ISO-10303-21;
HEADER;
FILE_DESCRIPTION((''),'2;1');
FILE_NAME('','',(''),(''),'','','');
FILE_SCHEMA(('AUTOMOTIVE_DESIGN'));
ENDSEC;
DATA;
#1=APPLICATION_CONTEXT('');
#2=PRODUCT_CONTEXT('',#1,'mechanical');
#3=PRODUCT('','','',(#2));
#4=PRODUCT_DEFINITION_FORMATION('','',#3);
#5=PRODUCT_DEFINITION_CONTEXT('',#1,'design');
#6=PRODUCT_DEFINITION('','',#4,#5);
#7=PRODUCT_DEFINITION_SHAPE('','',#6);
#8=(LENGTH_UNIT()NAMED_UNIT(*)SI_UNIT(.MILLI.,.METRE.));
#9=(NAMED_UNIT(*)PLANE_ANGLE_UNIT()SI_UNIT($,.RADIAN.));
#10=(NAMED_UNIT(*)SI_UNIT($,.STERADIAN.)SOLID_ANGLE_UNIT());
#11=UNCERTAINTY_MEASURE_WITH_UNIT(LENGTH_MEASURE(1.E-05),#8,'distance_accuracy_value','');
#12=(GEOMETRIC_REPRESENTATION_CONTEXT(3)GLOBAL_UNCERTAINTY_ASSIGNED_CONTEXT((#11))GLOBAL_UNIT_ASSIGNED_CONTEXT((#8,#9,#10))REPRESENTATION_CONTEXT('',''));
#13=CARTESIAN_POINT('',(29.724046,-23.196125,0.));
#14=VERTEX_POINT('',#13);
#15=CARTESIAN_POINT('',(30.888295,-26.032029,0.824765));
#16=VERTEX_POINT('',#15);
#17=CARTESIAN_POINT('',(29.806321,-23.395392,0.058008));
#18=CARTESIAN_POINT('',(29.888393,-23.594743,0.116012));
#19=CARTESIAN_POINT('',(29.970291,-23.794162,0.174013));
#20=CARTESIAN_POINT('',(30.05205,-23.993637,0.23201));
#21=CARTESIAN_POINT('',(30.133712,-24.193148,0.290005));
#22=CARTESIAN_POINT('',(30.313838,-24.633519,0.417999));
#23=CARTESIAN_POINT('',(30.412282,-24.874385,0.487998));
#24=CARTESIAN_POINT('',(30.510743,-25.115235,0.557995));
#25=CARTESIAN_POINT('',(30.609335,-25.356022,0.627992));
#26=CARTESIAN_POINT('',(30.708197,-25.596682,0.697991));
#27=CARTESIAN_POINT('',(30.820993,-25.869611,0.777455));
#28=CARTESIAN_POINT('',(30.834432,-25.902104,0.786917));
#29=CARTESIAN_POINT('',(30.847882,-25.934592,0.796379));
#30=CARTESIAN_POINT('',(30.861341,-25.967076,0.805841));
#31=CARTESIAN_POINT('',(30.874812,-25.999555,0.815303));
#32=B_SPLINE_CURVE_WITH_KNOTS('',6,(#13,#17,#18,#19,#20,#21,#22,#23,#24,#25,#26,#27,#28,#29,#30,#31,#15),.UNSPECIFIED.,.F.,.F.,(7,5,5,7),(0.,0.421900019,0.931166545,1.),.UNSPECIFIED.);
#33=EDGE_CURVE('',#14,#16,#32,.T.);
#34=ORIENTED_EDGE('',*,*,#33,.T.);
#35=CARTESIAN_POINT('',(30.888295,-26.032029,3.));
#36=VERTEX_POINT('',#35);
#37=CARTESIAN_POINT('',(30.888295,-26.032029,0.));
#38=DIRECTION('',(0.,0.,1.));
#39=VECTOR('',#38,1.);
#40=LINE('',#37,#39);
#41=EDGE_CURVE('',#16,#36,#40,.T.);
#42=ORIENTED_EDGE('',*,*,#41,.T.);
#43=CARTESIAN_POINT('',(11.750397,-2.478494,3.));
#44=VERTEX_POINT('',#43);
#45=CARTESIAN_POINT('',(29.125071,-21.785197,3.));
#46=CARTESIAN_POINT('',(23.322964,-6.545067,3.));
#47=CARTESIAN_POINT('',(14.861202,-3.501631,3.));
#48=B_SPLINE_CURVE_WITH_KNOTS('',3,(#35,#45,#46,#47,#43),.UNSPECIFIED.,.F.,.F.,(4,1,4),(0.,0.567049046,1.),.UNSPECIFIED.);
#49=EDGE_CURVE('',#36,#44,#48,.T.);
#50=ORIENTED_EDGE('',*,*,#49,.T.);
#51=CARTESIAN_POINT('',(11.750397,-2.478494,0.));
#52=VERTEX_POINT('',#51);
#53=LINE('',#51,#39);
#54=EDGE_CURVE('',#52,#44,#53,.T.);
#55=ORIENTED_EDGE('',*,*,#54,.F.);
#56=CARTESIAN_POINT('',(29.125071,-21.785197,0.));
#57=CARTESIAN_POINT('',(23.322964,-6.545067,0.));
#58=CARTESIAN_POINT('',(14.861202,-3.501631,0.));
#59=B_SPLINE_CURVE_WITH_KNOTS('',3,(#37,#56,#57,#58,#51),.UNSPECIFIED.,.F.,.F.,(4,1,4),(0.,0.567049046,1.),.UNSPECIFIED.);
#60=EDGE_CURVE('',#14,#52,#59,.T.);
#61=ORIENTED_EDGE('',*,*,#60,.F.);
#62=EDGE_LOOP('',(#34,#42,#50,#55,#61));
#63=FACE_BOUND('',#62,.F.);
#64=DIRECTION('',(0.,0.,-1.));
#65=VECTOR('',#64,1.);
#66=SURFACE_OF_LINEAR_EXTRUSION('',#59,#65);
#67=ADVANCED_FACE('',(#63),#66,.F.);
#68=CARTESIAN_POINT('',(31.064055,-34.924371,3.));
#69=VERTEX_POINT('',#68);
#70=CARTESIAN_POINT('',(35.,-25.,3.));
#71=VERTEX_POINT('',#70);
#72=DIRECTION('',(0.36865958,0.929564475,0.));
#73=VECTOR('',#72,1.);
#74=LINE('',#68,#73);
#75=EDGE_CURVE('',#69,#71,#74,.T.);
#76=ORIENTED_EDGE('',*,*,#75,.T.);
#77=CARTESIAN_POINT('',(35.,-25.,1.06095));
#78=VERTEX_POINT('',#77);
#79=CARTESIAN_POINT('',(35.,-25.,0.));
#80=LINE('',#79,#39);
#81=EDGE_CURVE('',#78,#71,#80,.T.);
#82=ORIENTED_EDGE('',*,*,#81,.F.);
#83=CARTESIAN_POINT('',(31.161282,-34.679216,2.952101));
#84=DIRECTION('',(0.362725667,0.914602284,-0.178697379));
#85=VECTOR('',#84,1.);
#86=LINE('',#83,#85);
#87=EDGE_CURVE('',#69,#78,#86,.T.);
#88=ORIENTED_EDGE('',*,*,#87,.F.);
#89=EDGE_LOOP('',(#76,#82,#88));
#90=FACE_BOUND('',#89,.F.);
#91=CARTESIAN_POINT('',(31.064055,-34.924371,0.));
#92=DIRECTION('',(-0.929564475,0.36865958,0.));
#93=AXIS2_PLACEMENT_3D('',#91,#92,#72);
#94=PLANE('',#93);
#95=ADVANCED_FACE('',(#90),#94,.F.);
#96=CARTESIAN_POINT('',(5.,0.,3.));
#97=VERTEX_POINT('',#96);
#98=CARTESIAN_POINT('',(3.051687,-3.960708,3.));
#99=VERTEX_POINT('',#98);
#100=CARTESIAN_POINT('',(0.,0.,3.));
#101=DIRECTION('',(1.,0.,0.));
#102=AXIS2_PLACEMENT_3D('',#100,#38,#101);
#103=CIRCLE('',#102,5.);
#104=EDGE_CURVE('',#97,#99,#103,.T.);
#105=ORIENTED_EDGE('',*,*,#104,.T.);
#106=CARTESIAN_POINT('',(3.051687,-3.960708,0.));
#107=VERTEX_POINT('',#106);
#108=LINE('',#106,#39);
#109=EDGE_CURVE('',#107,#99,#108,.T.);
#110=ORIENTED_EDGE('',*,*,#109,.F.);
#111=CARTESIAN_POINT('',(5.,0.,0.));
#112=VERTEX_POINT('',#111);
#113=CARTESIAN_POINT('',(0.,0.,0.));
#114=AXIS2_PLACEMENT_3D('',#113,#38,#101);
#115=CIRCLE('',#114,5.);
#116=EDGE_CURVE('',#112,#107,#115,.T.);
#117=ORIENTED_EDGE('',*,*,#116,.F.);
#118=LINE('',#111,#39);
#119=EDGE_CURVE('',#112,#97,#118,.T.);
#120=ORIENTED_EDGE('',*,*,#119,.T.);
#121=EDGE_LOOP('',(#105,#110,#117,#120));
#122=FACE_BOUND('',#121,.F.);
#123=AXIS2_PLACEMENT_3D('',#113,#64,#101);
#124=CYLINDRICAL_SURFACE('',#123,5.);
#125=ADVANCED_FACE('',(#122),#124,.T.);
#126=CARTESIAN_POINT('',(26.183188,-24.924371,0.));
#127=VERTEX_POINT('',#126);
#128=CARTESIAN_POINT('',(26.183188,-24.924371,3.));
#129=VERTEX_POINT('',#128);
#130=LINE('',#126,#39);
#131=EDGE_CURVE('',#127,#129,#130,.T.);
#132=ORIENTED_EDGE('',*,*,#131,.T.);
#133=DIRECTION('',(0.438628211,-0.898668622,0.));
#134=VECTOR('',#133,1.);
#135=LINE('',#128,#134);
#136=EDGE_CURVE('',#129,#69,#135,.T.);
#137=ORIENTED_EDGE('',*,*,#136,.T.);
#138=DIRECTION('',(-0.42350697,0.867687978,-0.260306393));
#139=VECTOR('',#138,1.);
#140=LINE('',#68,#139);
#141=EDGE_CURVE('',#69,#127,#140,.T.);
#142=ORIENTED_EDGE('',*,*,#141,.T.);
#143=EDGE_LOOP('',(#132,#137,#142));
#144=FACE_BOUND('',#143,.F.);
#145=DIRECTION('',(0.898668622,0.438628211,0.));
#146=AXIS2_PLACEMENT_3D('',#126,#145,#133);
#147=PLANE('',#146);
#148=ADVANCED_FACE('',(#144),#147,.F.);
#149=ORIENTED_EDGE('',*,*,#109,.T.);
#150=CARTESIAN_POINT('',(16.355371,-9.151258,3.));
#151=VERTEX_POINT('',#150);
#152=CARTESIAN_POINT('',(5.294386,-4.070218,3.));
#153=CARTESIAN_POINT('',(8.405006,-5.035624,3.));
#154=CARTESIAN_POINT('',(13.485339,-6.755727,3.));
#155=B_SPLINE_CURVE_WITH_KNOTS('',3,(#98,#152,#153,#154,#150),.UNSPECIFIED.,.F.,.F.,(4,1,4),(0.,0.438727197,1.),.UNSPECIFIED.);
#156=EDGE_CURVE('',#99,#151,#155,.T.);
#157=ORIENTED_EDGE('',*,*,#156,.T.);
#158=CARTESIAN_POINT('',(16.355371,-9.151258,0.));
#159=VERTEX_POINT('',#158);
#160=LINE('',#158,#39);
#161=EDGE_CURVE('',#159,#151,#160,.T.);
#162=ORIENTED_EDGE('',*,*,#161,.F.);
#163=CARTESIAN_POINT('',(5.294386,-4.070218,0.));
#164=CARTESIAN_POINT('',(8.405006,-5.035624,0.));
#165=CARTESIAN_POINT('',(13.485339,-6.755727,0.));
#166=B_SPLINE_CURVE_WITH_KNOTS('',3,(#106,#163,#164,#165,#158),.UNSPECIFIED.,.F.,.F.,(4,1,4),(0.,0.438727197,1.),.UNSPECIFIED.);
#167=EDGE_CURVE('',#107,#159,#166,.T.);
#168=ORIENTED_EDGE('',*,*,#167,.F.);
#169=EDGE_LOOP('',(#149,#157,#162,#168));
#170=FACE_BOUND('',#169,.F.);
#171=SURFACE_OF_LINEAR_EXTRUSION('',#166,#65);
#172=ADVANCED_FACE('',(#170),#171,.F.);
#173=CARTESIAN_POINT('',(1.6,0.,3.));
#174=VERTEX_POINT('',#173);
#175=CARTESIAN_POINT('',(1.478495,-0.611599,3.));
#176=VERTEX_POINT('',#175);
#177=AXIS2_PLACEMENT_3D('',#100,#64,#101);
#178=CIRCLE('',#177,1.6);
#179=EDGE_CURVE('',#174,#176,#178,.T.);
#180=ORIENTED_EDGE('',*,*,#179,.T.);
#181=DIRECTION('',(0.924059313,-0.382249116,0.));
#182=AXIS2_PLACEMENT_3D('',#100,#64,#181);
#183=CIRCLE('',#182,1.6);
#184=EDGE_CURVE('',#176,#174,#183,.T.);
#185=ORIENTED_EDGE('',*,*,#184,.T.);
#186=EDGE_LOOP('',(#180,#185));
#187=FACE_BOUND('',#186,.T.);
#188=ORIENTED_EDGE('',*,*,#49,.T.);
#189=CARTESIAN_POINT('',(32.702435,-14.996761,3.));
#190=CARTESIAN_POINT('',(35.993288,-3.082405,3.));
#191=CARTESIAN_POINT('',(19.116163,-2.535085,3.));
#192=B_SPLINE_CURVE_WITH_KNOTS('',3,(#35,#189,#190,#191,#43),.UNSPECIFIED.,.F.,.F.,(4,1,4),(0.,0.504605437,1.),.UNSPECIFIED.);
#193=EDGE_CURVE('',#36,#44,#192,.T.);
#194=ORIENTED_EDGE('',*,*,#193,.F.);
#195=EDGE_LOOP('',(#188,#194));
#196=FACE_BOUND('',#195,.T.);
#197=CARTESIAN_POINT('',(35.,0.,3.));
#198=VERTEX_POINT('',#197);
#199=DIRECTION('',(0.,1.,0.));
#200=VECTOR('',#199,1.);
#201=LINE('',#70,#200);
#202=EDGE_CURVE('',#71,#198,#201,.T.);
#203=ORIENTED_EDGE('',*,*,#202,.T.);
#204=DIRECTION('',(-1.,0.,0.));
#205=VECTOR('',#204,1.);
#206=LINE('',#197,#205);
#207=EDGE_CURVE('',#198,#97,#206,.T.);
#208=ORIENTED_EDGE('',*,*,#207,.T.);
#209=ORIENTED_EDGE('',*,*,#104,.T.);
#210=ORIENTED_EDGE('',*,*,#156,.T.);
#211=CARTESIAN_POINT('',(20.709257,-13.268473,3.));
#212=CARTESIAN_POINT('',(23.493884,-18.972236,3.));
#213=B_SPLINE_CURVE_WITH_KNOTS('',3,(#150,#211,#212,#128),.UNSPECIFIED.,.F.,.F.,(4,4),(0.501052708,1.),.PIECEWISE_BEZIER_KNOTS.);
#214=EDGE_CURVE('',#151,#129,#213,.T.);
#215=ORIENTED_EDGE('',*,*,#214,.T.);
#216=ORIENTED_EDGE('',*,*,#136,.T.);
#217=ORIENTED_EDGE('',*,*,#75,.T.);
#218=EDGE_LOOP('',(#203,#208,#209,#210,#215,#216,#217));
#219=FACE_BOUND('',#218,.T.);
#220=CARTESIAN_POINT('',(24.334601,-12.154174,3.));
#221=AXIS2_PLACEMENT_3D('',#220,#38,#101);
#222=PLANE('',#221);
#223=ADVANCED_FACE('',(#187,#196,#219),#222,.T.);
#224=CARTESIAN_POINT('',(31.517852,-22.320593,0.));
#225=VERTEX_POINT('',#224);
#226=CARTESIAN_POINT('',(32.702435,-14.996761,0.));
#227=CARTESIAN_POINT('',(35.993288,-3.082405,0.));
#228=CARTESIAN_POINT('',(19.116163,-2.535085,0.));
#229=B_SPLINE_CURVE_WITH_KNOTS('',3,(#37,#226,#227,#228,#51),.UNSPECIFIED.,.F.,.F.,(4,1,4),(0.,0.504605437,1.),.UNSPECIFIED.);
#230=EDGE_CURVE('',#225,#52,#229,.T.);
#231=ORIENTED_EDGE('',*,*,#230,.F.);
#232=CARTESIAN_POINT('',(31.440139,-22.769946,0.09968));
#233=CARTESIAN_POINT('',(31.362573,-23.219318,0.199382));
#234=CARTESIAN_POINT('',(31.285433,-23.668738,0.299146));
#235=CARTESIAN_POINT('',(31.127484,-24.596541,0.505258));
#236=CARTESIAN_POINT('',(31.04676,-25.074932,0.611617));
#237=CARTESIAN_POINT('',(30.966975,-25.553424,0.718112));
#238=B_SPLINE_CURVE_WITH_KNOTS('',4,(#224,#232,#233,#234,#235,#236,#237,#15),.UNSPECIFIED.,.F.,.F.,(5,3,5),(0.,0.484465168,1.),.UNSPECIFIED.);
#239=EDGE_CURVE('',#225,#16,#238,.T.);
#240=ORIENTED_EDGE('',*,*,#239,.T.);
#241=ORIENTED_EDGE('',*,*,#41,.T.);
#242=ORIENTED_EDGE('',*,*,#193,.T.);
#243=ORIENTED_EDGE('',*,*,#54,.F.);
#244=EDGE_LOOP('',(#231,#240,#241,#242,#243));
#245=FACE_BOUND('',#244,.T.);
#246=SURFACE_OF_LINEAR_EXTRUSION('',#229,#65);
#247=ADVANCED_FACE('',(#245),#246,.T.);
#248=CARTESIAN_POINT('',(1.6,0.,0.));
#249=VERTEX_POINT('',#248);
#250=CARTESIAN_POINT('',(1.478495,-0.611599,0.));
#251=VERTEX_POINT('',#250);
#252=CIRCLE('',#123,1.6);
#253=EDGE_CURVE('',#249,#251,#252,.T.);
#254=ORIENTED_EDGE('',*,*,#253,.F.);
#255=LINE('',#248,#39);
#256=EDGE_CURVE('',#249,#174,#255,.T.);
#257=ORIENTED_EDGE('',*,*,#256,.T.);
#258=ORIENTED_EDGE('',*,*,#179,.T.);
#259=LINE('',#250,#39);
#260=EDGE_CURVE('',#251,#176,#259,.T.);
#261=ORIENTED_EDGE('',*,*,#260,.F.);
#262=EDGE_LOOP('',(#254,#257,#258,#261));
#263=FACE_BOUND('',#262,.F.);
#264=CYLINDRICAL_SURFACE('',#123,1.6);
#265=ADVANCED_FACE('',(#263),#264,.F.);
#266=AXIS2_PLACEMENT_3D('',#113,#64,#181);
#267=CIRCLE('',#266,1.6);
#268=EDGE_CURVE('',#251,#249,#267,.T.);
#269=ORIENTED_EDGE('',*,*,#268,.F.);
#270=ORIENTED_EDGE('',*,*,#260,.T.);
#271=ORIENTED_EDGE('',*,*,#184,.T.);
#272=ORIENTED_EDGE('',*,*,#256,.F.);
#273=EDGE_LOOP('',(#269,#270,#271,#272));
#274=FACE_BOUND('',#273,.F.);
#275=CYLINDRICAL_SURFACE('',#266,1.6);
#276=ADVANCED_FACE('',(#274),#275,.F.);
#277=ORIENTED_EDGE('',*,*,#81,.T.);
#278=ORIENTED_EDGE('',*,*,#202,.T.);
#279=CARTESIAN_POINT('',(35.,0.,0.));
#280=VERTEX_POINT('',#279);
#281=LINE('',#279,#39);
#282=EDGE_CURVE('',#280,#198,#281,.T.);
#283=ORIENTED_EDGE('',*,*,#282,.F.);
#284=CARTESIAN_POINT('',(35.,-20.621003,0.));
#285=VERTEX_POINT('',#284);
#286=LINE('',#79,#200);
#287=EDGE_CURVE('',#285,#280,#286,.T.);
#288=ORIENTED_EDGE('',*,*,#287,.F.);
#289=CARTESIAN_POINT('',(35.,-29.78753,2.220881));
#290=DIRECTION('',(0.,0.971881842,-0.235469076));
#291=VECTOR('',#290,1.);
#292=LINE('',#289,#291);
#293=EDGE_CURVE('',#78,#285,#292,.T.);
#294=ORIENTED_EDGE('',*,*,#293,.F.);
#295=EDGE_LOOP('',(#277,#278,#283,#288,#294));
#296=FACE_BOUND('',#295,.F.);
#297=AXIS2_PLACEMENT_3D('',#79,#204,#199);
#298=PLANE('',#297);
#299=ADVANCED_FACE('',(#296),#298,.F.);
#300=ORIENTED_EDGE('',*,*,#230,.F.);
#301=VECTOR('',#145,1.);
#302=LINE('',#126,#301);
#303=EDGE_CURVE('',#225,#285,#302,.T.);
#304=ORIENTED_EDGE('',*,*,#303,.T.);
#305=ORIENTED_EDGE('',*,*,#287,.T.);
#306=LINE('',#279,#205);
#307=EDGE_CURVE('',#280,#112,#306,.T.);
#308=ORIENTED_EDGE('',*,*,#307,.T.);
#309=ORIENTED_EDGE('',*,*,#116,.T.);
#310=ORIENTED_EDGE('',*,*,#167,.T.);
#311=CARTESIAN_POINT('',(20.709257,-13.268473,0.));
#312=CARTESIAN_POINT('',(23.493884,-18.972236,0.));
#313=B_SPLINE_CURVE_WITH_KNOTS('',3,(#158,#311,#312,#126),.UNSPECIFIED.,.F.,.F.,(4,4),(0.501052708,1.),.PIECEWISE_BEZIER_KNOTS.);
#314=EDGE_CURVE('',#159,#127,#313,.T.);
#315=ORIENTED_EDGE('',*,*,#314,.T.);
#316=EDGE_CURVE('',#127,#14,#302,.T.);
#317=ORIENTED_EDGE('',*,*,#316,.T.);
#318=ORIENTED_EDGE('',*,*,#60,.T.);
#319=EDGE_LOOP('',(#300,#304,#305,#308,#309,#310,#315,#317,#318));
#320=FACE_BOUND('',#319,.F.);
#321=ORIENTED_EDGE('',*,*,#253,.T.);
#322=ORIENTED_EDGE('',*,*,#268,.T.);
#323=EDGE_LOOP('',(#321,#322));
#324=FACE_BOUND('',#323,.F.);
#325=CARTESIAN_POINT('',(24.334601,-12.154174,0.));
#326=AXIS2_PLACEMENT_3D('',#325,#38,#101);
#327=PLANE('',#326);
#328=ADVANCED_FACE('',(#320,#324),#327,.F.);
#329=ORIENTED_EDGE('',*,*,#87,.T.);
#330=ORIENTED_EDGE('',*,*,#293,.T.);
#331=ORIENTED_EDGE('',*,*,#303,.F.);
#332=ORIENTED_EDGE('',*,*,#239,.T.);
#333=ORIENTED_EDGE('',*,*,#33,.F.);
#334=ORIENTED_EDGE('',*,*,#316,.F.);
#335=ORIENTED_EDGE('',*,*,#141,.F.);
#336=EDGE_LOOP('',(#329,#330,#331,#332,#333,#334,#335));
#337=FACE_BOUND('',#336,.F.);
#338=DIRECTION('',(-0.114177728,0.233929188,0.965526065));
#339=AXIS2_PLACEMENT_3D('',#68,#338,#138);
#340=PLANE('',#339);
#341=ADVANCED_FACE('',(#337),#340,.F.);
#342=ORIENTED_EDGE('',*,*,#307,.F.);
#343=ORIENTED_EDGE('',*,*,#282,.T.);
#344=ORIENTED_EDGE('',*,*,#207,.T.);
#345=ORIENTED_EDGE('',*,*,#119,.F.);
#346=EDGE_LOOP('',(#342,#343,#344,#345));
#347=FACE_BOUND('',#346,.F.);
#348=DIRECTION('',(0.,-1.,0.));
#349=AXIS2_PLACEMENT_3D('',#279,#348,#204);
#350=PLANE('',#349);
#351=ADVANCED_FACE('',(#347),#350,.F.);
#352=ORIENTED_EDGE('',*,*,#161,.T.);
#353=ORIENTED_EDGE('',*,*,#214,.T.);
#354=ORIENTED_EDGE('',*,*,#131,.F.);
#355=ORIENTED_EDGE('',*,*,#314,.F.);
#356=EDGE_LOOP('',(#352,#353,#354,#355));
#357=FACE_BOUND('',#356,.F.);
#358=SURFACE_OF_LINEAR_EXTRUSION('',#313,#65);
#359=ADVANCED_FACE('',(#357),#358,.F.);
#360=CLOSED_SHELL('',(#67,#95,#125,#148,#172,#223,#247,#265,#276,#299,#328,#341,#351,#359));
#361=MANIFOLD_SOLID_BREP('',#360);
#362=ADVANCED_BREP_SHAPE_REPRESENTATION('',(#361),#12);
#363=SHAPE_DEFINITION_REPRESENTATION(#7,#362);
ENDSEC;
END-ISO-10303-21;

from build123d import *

# Parameters (mm, degrees)
F1_DEPTH = 3
F3_DEPTH = 10


with BuildPart() as f1:
    # F0 (on Top) → F1 (new body)
    with BuildSketch(Plane.XY):
        with BuildLine():
            Line((35, 0), (5, 0))
            ThreePointArc((5, 0), (4.9001321306, -0.994336514), (4.6045179588, -1.9489521203))
            add(Edge.make_bspline(
                [(4.6045179588, -1.9489521203), (8.982592697, -3.8894730603), (13.1060078098, -6.0785248195), (16.3553711027, -9.1512575746)],
                knots=[0.1286816833, 0.1286816833, 0.1286816833, 0.1286816833, 0.5010527079, 0.5010527079, 0.5010527079, 0.5010527079], degree=3))
            add(Edge.make_bspline(
                [(16.3553711027, -9.1512575746), (20.709257171, -13.2684728958), (23.4938837559, -18.9722357783), (26.1831879616, -24.9243713915)],
                knots=[0.5010527079, 0.5010527079, 0.5010527079, 0.5010527079, 1, 1, 1, 1], degree=3))
            Line((26.1831879616, -24.9243713915), (31.0640550593, -34.9243713915))
            Line((31.0640550593, -34.9243713915), (35, -25))
            Line((35, -25), (35, 0))
        make_face()
        with BuildLine():
            add(Edge.make_bspline(
                [(30.8882948011, -26.0320287198), (32.702434808, -14.9967605248), (35.9932875392, -3.0824051725), (19.1161632538, -2.5350854266), (11.7503972724, -2.4784943089)],
                knots=[0, 0, 0, 0, 0.5046054372, 1, 1, 1, 1], degree=3))
            add(Edge.make_bspline(
                [(30.8882948011, -26.0320287198), (29.1250709171, -21.7851968276), (23.3229644896, -6.5450667247), (14.8612016292, -3.5016305244), (11.7503972724, -2.4784943089)],
                knots=[0, 0, 0, 0, 0.5670490464, 1, 1, 1, 1], degree=3))
        make_face(mode=Mode.SUBTRACT)
        with BuildLine():
            ThreePointArc((1.4784949002, -0.6115985857), (-1.5693297678, 0.3117756883), (1.6, 0))
            Line((1.6, 0), (5, 0))
            ThreePointArc((5, 0), (-4.4865596179, 2.206985001), (3.0516868821, -3.9607079132))
            ThreePointArc((3.0516868821, -3.9607079132), (3.9580498334, -3.0551336331), (4.6045179588, -1.9489521203))
            add(Edge.make_bspline(
                [(1.4784949002, -0.6115985857), (2.5292276317, -1.0491346928), (3.5739284159, -1.4921575911), (4.6045179588, -1.9489521203)],
                knots=[0.0410263309, 0.0410263309, 0.0410263309, 0.0410263309, 0.1286816833, 0.1286816833, 0.1286816833, 0.1286816833], degree=3))
        make_face()
        with BuildLine():
            Line((5, 0), (1.6, 0))
            ThreePointArc((1.6, 0), (1.5693297678, -0.3117756883), (1.4784949002, -0.6115985857))
            add(Edge.make_bspline(
                [(1.4784949002, -0.6115985857), (2.5292276317, -1.0491346928), (3.5739284159, -1.4921575911), (4.6045179588, -1.9489521203)],
                knots=[0.0410263309, 0.0410263309, 0.0410263309, 0.0410263309, 0.1286816833, 0.1286816833, 0.1286816833, 0.1286816833], degree=3))
            ThreePointArc((4.6045179588, -1.9489521203), (4.9001321306, -0.994336514), (5, 0))
        make_face()
        with BuildLine():
            add(Edge.make_bspline(
                [(4.6045179588, -1.9489521203), (8.982592697, -3.8894730603), (13.1060078098, -6.0785248195), (16.3553711027, -9.1512575746)],
                knots=[0.1286816833, 0.1286816833, 0.1286816833, 0.1286816833, 0.5010527079, 0.5010527079, 0.5010527079, 0.5010527079], degree=3))
            ThreePointArc((4.6045179588, -1.9489521203), (3.9580498334, -3.0551336331), (3.0516868821, -3.9607079132))
            add(Edge.make_bspline(
                [(3.0516868821, -3.9607079132), (5.2943859853, -4.0702180668), (8.4050057827, -5.0356236502), (13.4853385389, -6.7557273433), (16.3553711027, -9.1512575746)],
                knots=[0, 0, 0, 0, 0.4387271971, 1, 1, 1, 1], degree=3))
        make_face()
    extrude(amount=F1_DEPTH)

    # F2 (on face) → F3 (cut)
    with BuildSketch(Plane(origin=(11.3209573139, 5.5256088068, 0), x_dir=(0.438628211, -0.8986686222, 0), z_dir=(-0.8986686222, -0.438628211, 0))):
        Polygon((45.0110076163, 0), (45.0110076163, 3), (33.8834353911, 0), align=None)
    extrude(amount=-F3_DEPTH, mode=Mode.SUBTRACT)


solid = f1.part
